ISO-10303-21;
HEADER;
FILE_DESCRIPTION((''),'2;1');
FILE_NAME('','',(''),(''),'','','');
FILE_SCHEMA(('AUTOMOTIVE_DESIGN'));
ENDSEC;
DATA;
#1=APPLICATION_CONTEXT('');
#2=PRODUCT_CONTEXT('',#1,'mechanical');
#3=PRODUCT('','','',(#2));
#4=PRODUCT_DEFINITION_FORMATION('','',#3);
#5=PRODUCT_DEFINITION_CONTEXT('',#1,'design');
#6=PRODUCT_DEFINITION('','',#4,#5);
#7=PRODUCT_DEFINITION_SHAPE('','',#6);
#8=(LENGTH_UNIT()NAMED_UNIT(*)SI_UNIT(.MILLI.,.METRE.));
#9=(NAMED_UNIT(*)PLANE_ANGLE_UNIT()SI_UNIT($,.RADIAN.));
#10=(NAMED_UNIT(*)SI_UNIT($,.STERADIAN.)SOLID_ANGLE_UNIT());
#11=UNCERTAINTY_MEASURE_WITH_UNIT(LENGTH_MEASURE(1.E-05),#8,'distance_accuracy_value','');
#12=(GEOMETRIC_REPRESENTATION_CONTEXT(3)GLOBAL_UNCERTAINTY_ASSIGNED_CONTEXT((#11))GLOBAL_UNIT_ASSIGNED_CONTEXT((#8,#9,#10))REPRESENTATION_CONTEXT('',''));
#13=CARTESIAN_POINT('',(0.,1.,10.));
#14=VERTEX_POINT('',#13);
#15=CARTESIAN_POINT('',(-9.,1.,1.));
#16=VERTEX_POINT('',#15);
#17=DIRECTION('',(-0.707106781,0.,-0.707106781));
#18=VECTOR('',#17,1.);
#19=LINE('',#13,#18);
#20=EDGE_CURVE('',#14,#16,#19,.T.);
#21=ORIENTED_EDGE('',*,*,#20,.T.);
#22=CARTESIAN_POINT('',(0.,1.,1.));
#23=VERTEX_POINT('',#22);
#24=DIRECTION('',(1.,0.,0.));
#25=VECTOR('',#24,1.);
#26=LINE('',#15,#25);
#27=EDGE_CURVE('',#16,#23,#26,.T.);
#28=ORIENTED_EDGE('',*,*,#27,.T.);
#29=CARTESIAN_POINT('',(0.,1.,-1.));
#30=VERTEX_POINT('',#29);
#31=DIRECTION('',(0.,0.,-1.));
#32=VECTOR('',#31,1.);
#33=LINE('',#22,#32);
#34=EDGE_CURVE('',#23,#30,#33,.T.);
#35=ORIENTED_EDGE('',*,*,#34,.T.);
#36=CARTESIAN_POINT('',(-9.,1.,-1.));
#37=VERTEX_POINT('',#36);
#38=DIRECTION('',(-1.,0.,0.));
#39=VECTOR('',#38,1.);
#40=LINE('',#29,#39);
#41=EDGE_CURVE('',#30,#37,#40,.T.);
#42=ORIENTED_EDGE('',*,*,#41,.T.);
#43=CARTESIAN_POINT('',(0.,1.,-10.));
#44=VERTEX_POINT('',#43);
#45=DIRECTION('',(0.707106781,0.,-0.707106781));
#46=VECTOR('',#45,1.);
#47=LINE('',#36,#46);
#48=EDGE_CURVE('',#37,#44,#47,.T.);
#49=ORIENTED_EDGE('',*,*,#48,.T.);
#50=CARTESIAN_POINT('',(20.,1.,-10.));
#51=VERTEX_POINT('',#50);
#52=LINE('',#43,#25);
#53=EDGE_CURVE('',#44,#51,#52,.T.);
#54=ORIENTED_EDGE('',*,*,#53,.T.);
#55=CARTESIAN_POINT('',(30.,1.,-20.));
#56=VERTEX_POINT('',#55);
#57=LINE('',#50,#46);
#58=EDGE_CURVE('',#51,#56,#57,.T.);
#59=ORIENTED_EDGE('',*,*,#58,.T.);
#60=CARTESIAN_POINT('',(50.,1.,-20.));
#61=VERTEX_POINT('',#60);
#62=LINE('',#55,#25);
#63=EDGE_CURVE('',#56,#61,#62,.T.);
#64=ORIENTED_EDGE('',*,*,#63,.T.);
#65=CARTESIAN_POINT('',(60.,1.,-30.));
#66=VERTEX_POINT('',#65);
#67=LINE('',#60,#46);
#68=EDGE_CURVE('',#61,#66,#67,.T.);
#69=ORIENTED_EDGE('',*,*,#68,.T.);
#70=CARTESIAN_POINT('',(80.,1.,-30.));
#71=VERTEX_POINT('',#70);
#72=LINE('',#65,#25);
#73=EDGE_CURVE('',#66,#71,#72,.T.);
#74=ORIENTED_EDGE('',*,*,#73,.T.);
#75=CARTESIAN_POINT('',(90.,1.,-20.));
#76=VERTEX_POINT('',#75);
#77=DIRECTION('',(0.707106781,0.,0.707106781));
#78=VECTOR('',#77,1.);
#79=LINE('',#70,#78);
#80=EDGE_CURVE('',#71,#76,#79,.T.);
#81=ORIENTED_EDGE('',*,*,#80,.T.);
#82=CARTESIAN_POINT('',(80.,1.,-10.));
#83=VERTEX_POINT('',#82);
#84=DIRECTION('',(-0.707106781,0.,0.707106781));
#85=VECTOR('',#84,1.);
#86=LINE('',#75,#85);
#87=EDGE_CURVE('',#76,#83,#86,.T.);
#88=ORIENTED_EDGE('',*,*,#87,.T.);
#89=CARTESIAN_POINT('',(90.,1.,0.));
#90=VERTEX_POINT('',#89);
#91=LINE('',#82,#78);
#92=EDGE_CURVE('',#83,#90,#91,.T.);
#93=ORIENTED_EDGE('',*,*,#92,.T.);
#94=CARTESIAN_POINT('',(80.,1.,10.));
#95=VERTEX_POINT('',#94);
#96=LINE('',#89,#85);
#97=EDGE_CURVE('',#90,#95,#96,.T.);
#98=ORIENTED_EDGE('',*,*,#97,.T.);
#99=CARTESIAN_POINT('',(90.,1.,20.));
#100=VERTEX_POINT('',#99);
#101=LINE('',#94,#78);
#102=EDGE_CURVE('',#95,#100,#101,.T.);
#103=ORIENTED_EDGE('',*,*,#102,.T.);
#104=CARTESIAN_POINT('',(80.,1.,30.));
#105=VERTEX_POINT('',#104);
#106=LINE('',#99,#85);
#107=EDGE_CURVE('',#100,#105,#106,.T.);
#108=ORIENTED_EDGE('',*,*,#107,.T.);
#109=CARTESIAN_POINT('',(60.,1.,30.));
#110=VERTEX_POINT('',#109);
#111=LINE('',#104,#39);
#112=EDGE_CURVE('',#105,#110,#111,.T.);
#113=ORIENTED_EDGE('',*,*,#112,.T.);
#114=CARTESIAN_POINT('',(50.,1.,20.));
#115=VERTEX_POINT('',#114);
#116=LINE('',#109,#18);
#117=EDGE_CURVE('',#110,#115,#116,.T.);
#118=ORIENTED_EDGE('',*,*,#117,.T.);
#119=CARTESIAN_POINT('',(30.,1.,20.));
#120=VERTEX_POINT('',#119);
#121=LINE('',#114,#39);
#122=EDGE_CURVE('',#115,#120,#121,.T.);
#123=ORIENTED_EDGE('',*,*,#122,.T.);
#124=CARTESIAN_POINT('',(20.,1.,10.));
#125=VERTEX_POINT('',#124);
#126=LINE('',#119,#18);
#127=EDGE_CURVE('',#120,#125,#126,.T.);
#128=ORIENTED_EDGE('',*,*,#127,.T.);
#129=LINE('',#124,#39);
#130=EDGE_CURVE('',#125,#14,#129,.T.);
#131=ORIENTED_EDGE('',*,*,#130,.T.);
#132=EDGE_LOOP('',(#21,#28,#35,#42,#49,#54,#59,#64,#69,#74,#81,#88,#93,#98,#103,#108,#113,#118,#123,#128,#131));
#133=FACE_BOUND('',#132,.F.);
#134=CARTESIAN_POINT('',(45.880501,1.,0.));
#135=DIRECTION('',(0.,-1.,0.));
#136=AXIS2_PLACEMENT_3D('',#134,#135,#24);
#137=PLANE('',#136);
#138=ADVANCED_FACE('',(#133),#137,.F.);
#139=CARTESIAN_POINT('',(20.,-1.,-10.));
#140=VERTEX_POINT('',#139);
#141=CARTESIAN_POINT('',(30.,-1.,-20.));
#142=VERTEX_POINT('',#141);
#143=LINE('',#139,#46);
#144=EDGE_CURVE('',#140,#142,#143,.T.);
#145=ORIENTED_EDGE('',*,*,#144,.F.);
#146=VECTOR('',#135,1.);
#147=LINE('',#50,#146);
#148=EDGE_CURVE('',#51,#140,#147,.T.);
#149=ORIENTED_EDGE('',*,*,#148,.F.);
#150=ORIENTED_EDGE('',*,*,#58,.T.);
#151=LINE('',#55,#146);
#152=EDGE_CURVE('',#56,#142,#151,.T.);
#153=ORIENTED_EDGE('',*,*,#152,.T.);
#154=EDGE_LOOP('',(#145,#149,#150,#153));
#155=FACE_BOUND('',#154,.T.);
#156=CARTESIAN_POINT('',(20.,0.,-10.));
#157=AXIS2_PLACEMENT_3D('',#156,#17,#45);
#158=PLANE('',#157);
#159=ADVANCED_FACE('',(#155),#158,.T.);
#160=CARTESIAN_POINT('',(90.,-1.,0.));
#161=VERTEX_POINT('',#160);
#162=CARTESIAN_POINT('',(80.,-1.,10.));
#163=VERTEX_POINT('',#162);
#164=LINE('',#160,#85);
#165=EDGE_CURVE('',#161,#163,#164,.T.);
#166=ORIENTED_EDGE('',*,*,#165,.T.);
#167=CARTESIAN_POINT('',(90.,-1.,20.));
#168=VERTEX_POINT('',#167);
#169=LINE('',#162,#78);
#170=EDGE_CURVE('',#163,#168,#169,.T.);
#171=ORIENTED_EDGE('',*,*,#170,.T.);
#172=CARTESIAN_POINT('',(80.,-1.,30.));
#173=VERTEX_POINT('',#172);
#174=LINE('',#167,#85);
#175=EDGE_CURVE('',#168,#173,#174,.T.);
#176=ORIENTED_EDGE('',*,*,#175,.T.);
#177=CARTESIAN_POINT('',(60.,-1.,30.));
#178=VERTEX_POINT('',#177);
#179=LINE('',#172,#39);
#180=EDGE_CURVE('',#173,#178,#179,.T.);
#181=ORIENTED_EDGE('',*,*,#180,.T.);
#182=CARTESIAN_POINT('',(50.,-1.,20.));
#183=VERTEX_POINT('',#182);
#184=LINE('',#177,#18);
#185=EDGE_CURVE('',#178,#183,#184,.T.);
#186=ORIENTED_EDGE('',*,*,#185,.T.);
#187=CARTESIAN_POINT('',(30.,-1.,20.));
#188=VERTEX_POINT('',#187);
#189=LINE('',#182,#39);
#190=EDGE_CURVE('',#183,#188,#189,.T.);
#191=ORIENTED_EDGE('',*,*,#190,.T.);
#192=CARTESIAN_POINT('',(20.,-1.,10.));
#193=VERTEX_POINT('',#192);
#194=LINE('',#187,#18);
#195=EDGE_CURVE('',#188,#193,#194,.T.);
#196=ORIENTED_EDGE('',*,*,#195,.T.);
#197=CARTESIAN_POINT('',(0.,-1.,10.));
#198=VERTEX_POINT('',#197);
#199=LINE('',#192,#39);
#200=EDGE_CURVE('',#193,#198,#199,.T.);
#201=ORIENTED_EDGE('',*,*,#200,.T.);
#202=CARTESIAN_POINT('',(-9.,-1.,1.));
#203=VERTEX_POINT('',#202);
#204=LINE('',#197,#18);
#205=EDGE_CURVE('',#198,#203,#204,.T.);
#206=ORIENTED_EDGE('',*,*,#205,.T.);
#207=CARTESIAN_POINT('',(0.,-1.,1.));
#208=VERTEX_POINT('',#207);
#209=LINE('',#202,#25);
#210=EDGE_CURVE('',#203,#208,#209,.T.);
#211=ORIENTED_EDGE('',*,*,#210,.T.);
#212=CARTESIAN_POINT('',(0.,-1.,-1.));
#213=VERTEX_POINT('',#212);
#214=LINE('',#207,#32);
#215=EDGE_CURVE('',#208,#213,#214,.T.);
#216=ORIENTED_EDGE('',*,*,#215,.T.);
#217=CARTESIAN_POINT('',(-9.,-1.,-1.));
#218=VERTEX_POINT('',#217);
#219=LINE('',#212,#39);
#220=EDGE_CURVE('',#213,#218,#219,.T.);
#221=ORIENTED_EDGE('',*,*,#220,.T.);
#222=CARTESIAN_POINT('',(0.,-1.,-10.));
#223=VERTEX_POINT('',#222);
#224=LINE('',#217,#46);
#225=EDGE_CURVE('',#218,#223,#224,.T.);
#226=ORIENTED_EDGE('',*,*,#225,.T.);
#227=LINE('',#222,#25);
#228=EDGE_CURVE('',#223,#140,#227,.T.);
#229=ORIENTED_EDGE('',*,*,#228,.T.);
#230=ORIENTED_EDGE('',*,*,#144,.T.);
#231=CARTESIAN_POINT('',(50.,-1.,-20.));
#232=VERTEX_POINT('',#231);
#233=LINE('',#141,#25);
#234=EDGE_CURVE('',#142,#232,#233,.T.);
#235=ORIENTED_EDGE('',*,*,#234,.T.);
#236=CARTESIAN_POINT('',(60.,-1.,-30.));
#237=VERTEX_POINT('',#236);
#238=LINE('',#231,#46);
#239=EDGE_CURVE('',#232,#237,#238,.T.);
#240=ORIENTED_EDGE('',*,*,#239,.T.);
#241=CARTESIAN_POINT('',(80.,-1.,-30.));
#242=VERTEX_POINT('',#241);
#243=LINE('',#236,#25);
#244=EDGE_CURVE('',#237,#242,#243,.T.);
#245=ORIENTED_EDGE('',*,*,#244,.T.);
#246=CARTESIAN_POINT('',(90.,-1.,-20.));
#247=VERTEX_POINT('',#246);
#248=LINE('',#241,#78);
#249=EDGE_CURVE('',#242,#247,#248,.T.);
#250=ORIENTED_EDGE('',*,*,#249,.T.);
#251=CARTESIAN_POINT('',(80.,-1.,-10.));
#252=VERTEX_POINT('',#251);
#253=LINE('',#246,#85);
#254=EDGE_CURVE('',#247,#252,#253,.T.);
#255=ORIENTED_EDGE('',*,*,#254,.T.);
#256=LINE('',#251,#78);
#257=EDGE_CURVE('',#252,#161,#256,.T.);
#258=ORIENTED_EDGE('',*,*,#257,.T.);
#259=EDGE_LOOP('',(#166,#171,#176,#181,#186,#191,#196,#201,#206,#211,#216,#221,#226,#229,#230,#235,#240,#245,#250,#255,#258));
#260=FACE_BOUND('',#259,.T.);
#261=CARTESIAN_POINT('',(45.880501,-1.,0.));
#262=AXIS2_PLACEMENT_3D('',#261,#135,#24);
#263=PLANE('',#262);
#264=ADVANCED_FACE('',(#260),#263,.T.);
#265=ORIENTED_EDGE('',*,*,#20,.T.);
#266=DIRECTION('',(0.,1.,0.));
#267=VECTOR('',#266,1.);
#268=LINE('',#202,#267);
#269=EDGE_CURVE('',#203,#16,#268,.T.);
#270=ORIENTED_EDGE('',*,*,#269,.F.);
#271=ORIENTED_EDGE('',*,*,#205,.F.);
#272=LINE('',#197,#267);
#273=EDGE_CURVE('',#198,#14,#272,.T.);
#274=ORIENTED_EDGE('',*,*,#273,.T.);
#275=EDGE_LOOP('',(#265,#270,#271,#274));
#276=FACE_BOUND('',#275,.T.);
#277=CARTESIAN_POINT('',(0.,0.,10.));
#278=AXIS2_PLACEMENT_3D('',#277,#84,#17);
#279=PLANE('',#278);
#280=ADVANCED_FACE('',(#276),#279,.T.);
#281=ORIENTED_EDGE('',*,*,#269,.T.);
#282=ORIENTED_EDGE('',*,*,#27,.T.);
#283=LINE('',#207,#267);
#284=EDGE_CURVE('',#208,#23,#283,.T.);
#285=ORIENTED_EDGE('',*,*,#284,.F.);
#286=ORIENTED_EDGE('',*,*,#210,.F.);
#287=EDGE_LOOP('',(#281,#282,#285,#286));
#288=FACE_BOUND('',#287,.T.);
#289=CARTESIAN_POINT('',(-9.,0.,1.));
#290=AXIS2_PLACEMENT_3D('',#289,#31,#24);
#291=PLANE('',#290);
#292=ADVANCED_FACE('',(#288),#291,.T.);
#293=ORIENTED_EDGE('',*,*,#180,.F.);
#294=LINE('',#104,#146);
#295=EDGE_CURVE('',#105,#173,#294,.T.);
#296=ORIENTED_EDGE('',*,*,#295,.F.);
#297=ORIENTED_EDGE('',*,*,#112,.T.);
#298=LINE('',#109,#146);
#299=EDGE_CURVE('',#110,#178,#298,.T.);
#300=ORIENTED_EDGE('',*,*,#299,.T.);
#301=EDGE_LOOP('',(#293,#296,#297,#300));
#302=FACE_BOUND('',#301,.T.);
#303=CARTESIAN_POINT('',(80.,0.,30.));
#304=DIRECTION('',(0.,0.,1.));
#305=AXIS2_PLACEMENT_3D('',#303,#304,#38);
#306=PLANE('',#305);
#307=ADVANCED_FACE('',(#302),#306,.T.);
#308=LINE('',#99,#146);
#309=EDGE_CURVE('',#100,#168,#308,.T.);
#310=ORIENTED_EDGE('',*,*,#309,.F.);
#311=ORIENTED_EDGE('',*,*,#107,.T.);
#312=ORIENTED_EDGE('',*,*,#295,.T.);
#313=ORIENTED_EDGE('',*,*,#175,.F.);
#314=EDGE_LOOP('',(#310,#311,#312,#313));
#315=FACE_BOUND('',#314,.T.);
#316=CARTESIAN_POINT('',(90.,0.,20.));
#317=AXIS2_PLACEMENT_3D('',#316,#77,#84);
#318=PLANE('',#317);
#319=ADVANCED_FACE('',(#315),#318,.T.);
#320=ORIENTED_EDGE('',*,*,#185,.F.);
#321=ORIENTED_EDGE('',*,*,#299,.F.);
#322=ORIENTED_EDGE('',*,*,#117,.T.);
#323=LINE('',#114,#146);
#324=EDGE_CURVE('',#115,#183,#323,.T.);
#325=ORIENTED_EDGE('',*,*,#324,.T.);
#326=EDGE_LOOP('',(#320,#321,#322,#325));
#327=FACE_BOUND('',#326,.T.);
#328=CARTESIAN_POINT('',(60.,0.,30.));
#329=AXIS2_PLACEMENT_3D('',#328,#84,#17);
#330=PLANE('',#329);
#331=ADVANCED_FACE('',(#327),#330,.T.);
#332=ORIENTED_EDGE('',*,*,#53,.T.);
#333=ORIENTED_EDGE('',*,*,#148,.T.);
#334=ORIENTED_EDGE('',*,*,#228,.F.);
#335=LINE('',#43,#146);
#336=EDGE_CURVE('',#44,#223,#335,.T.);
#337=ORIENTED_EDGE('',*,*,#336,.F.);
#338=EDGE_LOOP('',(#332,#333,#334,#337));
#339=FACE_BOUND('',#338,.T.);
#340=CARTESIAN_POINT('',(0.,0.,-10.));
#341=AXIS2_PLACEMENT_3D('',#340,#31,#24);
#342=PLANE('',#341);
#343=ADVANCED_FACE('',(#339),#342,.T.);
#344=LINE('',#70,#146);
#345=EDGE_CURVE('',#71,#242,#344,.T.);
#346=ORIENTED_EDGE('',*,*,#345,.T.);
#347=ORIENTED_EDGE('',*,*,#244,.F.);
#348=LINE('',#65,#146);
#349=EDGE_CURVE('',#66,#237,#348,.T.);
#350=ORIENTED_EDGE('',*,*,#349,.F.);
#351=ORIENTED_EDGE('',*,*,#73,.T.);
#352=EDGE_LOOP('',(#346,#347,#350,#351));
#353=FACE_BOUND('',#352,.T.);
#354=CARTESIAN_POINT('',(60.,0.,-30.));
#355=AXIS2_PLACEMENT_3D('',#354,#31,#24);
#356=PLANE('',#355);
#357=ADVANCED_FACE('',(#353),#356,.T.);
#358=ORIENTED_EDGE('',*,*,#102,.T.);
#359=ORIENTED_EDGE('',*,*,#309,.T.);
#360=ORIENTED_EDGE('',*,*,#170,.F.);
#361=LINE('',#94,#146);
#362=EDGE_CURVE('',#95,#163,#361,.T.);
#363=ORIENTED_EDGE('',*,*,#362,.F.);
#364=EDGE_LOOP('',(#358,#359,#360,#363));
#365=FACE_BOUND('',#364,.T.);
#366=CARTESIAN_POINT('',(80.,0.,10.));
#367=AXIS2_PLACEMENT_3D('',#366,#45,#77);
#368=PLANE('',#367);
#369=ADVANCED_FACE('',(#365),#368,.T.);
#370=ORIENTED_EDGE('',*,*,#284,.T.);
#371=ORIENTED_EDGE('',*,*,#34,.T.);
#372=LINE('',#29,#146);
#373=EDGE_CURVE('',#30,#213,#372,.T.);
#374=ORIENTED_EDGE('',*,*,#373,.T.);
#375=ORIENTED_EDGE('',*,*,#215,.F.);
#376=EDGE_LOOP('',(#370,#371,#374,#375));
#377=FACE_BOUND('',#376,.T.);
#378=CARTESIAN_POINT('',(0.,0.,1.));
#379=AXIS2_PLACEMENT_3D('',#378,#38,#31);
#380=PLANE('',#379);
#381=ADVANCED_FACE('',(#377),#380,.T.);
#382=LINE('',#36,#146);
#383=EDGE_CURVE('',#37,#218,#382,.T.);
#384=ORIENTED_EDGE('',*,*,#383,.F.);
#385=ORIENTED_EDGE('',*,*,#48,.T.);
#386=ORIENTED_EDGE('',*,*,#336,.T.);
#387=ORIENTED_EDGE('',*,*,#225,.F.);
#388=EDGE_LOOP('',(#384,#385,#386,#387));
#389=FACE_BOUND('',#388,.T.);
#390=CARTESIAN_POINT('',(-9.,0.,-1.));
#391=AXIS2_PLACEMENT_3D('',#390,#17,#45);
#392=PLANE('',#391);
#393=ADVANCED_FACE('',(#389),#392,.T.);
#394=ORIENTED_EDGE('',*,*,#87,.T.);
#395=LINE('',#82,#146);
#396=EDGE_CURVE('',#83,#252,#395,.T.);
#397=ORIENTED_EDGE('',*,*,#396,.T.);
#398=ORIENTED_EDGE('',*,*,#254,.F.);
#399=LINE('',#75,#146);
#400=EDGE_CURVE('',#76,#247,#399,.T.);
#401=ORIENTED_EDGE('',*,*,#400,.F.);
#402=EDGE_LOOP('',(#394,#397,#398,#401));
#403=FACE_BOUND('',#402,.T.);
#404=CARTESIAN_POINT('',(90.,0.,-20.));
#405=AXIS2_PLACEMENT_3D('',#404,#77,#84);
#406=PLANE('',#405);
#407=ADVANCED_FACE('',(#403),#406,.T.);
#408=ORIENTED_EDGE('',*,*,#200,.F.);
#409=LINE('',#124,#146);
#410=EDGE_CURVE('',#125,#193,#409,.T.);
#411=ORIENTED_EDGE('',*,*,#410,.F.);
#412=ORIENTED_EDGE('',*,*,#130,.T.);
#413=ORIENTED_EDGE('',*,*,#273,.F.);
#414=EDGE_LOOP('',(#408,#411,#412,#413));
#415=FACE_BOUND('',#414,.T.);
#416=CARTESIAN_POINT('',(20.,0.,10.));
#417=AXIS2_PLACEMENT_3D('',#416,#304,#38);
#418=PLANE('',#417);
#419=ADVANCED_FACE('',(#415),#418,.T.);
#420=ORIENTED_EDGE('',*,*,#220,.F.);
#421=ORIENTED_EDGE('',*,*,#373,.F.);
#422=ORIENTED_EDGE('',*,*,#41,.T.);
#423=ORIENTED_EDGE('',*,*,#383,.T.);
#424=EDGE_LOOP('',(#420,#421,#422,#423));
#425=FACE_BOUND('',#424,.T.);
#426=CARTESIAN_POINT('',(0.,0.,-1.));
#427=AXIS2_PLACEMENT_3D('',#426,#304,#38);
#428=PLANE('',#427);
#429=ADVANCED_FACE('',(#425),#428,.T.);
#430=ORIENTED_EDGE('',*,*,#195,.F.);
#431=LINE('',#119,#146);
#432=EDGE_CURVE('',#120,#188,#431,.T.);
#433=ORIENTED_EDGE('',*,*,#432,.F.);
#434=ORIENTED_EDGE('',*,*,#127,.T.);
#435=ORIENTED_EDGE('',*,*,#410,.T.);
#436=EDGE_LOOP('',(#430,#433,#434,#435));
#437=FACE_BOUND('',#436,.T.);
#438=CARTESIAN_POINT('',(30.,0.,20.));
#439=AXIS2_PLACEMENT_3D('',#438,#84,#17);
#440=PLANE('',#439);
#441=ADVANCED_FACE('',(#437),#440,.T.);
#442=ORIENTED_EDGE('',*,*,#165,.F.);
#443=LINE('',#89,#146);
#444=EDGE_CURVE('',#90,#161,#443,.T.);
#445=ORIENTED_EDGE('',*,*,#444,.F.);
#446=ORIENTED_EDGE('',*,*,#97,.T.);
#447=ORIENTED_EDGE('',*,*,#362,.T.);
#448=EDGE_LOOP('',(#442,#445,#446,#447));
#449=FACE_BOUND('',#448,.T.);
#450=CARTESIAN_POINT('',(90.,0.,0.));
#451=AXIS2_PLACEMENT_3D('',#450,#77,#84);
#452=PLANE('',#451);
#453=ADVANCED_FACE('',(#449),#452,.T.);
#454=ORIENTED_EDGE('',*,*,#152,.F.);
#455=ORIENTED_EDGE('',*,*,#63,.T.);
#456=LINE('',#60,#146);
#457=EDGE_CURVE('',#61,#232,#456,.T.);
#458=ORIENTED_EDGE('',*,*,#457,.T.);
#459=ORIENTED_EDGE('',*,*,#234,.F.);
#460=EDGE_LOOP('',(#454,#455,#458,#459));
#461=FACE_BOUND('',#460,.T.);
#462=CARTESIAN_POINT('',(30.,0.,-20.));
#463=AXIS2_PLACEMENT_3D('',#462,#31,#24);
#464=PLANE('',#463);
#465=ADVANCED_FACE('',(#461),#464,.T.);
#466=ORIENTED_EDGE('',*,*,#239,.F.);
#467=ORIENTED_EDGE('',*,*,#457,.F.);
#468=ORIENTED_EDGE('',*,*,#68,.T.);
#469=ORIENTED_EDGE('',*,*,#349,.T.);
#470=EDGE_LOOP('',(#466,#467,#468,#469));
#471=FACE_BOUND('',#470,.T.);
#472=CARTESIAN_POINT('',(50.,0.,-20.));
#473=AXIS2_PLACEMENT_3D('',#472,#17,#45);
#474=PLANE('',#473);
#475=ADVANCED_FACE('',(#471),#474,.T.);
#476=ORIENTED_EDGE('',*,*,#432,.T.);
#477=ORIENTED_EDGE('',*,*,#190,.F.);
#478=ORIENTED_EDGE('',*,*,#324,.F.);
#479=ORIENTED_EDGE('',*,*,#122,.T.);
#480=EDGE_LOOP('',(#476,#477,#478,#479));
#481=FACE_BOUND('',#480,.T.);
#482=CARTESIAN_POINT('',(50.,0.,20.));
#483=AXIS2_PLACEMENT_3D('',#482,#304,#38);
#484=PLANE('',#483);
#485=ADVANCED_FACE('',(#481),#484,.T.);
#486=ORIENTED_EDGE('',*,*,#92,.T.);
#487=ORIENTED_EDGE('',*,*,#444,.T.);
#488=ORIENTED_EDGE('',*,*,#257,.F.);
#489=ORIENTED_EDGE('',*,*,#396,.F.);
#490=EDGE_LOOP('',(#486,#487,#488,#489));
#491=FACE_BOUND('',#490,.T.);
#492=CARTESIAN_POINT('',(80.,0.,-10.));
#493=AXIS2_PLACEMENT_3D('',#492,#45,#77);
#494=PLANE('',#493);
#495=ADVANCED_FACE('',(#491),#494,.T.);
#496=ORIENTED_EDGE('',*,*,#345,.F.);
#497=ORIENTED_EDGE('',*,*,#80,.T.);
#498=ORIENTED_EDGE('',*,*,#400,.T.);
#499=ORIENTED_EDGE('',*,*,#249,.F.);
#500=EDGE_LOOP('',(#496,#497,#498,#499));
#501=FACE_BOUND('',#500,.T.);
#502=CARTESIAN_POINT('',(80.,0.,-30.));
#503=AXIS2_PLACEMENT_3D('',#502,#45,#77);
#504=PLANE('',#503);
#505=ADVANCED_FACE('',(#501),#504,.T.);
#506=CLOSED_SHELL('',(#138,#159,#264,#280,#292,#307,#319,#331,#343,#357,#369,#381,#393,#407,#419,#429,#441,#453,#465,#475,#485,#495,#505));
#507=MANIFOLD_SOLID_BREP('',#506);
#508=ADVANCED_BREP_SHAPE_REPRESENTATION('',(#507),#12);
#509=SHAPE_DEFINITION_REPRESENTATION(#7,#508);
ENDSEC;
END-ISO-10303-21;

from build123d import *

# Parameters (mm, degrees)
F1_DEPTH      = 1
F1_DEPTH_BACK = 1


with BuildPart() as f1:
    # F0 (on Front) → F1 (new body, two sides)
    with BuildSketch(Plane.XZ) as f1_sk:
        Polygon((0, 1), (0, 0), (0, -1), (-9, -1), (0, -10), (20, -10), (30, -20), (50, -20), (60, -30), (80, -30), (90, -20), (80, -10), (90, 0), (80, 10), (90, 20), (80, 30), (60, 30), (50, 20), (30, 20), (20, 10), (0, 10), (-9, 1), align=None)
    extrude(amount=F1_DEPTH)
    extrude(f1_sk.sketch, amount=-F1_DEPTH_BACK)


solid = f1.part
